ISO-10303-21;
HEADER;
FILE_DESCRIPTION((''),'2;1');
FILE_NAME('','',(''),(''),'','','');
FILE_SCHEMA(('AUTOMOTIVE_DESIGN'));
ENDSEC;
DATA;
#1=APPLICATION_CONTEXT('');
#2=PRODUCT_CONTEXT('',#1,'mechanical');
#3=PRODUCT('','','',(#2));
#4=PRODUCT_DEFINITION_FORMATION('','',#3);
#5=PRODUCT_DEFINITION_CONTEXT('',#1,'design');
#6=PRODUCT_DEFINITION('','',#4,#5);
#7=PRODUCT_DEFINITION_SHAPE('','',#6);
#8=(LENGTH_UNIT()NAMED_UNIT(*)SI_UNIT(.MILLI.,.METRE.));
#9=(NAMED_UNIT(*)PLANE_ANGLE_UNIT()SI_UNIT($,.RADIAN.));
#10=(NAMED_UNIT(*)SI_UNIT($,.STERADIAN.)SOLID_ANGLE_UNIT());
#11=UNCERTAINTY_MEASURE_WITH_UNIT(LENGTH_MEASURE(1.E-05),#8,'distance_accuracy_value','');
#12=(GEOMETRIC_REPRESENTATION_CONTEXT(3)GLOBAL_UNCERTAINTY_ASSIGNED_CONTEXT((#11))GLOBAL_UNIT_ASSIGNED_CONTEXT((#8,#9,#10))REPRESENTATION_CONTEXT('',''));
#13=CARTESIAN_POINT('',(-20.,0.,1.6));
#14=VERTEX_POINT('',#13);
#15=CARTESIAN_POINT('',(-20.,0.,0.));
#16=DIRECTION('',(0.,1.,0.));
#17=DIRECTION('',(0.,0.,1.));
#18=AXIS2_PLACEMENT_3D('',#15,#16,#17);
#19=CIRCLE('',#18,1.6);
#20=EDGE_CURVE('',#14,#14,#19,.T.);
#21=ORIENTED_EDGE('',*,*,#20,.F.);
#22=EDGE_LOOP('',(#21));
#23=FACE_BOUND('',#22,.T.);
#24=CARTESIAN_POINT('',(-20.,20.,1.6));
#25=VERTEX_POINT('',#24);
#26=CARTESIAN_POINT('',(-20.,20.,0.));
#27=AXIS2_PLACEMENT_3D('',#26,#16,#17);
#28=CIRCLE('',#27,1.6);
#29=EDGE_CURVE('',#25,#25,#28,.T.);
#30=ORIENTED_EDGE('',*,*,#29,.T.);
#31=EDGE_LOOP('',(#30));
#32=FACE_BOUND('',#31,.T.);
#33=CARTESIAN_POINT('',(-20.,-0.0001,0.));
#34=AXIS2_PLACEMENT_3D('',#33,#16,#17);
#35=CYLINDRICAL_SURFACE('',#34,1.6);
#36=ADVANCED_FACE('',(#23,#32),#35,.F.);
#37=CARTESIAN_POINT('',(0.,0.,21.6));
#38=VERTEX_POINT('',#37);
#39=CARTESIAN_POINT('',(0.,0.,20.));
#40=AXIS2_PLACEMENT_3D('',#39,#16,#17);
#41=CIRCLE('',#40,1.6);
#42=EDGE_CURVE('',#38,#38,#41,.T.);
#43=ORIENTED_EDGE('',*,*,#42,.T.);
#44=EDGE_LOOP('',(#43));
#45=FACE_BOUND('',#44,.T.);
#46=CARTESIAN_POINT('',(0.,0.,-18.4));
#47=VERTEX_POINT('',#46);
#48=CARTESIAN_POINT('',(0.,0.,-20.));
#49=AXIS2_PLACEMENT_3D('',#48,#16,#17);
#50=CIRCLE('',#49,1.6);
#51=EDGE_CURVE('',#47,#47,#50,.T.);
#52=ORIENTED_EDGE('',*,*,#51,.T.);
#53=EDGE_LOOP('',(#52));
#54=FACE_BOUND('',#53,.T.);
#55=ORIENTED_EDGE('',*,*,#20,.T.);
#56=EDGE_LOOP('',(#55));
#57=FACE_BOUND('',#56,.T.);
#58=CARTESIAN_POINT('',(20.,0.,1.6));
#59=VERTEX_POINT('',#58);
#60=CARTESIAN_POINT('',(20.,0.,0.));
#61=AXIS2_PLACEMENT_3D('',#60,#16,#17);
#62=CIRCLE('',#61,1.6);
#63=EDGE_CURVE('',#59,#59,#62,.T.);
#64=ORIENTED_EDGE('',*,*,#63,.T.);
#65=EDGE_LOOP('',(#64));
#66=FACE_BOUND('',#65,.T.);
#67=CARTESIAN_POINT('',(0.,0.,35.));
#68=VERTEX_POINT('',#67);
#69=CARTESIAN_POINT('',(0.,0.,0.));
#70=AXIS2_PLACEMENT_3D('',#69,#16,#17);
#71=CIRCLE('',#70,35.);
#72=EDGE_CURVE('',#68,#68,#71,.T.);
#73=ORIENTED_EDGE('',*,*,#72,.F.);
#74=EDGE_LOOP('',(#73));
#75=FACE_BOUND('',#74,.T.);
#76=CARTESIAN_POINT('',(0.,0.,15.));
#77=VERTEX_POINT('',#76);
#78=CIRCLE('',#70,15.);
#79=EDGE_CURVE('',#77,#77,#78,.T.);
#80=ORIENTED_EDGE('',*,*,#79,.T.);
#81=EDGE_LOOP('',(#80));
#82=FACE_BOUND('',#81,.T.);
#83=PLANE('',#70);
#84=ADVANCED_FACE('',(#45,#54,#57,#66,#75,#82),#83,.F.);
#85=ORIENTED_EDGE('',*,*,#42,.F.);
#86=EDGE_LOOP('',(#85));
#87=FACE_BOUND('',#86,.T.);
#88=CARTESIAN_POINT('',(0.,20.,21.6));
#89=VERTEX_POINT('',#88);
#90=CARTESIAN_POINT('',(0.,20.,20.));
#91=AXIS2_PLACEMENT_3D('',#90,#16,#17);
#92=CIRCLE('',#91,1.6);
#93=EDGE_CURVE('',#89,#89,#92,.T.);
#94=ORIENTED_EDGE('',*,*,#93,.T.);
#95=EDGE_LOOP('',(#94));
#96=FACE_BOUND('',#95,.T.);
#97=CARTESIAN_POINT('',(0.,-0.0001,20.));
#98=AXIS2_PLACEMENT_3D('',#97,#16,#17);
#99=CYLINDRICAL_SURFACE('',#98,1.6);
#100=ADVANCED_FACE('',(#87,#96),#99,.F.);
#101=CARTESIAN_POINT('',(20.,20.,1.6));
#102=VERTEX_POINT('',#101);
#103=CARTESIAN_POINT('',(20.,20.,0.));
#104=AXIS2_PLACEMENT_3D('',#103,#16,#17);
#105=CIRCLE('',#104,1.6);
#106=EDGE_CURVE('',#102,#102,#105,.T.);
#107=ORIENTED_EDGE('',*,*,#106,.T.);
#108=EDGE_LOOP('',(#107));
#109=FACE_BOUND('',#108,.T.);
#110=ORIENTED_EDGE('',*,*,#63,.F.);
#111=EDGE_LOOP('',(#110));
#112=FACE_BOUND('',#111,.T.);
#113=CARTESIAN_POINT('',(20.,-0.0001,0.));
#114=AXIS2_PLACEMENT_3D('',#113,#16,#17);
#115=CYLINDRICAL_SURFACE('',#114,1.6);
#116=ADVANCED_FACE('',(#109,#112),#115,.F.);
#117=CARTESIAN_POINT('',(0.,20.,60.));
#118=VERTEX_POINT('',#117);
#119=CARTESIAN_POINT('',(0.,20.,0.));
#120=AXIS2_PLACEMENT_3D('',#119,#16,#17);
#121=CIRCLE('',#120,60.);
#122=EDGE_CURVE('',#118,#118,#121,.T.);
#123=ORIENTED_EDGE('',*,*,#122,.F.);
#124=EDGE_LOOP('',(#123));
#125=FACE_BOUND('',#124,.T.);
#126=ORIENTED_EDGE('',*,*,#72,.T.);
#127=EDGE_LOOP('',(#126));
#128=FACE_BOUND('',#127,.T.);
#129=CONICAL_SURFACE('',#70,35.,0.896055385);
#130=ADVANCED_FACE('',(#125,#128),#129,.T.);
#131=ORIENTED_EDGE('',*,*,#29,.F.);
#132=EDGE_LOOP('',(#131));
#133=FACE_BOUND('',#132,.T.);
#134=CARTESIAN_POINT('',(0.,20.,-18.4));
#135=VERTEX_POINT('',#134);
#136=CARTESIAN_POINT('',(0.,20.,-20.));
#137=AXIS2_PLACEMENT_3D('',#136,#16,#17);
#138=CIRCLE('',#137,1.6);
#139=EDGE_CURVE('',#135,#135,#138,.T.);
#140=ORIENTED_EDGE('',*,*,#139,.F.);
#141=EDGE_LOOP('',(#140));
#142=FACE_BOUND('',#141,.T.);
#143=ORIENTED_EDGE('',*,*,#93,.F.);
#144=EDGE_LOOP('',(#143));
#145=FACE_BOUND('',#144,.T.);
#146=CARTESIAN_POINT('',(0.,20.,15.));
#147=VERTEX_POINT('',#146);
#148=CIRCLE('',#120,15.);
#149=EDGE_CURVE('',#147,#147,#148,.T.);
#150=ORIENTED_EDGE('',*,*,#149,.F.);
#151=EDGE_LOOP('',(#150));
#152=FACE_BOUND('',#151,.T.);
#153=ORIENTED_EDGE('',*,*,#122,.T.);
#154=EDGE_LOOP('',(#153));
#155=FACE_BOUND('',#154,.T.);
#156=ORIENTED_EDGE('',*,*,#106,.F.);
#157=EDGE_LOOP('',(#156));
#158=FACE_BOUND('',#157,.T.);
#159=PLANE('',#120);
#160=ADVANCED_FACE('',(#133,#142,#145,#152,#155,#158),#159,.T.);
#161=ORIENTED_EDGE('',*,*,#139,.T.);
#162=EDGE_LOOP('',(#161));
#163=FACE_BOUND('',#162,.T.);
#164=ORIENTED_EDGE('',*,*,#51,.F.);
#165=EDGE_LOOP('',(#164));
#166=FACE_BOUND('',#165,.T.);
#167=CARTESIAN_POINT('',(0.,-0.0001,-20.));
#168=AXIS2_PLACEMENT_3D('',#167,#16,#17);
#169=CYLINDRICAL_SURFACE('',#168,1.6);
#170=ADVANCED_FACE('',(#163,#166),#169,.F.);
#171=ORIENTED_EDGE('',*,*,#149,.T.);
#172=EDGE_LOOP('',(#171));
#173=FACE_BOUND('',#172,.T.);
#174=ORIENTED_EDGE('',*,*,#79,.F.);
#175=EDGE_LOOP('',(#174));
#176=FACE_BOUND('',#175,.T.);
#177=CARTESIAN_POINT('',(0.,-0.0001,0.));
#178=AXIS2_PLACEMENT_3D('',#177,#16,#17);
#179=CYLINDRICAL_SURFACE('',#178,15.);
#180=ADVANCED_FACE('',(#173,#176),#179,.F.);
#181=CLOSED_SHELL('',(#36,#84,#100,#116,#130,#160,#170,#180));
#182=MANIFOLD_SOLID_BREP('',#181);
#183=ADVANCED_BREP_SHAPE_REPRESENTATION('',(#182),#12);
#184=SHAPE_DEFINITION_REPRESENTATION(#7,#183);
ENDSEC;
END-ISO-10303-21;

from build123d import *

# Parameters (mm, degrees)
SKETCH_2_R          = 60
SKETCH_1_R          = 35
SKETCH_3_R          = 1.6
SKETCH_3_R_2        = 15
CUT_EXTRUDE_1_DEPTH = 88.177979031


with BuildPart() as part:
    # ｽｹｯﾁ2 → ﾛﾌﾄ1 section 0
    with BuildSketch(Plane(origin=(0, 20, 0), x_dir=(1, 0, 0), z_dir=(0, 1, 0))):
        Circle(SKETCH_2_R)
    # ｽｹｯﾁ1 → ﾛﾌﾄ1 section 1
    with BuildSketch(Plane(origin=(0, 0, 0), x_dir=(1, 0, 0), z_dir=(0, 1, 0))):
        Circle(SKETCH_1_R)
    loft()

    # ｽｹｯﾁ3 → ｶｯﾄ - 押し出し1 (cut, through all)
    with BuildSketch(Plane(origin=(0, 20, 0), x_dir=(1, 0, 0), z_dir=(0, 1, 0))):
        with Locations(Location((0, 20, 0), (0, 0, 270))):
            Circle(SKETCH_3_R)
        with Locations(Location((20, 0, 0), (0, 0, 270))):
            Circle(SKETCH_3_R)
        with Locations(Location((0, -20, 0), (0, 0, 270))):
            Circle(SKETCH_3_R)
        with Locations(Location((-20, 0, 0), (0, 0, 270))):
            Circle(SKETCH_3_R)
        with Locations(Location((0, 0, 0), (0, 0, 270))):
            Circle(SKETCH_3_R_2)
    extrude(amount=-CUT_EXTRUDE_1_DEPTH, mode=Mode.SUBTRACT)


solid = part.part
